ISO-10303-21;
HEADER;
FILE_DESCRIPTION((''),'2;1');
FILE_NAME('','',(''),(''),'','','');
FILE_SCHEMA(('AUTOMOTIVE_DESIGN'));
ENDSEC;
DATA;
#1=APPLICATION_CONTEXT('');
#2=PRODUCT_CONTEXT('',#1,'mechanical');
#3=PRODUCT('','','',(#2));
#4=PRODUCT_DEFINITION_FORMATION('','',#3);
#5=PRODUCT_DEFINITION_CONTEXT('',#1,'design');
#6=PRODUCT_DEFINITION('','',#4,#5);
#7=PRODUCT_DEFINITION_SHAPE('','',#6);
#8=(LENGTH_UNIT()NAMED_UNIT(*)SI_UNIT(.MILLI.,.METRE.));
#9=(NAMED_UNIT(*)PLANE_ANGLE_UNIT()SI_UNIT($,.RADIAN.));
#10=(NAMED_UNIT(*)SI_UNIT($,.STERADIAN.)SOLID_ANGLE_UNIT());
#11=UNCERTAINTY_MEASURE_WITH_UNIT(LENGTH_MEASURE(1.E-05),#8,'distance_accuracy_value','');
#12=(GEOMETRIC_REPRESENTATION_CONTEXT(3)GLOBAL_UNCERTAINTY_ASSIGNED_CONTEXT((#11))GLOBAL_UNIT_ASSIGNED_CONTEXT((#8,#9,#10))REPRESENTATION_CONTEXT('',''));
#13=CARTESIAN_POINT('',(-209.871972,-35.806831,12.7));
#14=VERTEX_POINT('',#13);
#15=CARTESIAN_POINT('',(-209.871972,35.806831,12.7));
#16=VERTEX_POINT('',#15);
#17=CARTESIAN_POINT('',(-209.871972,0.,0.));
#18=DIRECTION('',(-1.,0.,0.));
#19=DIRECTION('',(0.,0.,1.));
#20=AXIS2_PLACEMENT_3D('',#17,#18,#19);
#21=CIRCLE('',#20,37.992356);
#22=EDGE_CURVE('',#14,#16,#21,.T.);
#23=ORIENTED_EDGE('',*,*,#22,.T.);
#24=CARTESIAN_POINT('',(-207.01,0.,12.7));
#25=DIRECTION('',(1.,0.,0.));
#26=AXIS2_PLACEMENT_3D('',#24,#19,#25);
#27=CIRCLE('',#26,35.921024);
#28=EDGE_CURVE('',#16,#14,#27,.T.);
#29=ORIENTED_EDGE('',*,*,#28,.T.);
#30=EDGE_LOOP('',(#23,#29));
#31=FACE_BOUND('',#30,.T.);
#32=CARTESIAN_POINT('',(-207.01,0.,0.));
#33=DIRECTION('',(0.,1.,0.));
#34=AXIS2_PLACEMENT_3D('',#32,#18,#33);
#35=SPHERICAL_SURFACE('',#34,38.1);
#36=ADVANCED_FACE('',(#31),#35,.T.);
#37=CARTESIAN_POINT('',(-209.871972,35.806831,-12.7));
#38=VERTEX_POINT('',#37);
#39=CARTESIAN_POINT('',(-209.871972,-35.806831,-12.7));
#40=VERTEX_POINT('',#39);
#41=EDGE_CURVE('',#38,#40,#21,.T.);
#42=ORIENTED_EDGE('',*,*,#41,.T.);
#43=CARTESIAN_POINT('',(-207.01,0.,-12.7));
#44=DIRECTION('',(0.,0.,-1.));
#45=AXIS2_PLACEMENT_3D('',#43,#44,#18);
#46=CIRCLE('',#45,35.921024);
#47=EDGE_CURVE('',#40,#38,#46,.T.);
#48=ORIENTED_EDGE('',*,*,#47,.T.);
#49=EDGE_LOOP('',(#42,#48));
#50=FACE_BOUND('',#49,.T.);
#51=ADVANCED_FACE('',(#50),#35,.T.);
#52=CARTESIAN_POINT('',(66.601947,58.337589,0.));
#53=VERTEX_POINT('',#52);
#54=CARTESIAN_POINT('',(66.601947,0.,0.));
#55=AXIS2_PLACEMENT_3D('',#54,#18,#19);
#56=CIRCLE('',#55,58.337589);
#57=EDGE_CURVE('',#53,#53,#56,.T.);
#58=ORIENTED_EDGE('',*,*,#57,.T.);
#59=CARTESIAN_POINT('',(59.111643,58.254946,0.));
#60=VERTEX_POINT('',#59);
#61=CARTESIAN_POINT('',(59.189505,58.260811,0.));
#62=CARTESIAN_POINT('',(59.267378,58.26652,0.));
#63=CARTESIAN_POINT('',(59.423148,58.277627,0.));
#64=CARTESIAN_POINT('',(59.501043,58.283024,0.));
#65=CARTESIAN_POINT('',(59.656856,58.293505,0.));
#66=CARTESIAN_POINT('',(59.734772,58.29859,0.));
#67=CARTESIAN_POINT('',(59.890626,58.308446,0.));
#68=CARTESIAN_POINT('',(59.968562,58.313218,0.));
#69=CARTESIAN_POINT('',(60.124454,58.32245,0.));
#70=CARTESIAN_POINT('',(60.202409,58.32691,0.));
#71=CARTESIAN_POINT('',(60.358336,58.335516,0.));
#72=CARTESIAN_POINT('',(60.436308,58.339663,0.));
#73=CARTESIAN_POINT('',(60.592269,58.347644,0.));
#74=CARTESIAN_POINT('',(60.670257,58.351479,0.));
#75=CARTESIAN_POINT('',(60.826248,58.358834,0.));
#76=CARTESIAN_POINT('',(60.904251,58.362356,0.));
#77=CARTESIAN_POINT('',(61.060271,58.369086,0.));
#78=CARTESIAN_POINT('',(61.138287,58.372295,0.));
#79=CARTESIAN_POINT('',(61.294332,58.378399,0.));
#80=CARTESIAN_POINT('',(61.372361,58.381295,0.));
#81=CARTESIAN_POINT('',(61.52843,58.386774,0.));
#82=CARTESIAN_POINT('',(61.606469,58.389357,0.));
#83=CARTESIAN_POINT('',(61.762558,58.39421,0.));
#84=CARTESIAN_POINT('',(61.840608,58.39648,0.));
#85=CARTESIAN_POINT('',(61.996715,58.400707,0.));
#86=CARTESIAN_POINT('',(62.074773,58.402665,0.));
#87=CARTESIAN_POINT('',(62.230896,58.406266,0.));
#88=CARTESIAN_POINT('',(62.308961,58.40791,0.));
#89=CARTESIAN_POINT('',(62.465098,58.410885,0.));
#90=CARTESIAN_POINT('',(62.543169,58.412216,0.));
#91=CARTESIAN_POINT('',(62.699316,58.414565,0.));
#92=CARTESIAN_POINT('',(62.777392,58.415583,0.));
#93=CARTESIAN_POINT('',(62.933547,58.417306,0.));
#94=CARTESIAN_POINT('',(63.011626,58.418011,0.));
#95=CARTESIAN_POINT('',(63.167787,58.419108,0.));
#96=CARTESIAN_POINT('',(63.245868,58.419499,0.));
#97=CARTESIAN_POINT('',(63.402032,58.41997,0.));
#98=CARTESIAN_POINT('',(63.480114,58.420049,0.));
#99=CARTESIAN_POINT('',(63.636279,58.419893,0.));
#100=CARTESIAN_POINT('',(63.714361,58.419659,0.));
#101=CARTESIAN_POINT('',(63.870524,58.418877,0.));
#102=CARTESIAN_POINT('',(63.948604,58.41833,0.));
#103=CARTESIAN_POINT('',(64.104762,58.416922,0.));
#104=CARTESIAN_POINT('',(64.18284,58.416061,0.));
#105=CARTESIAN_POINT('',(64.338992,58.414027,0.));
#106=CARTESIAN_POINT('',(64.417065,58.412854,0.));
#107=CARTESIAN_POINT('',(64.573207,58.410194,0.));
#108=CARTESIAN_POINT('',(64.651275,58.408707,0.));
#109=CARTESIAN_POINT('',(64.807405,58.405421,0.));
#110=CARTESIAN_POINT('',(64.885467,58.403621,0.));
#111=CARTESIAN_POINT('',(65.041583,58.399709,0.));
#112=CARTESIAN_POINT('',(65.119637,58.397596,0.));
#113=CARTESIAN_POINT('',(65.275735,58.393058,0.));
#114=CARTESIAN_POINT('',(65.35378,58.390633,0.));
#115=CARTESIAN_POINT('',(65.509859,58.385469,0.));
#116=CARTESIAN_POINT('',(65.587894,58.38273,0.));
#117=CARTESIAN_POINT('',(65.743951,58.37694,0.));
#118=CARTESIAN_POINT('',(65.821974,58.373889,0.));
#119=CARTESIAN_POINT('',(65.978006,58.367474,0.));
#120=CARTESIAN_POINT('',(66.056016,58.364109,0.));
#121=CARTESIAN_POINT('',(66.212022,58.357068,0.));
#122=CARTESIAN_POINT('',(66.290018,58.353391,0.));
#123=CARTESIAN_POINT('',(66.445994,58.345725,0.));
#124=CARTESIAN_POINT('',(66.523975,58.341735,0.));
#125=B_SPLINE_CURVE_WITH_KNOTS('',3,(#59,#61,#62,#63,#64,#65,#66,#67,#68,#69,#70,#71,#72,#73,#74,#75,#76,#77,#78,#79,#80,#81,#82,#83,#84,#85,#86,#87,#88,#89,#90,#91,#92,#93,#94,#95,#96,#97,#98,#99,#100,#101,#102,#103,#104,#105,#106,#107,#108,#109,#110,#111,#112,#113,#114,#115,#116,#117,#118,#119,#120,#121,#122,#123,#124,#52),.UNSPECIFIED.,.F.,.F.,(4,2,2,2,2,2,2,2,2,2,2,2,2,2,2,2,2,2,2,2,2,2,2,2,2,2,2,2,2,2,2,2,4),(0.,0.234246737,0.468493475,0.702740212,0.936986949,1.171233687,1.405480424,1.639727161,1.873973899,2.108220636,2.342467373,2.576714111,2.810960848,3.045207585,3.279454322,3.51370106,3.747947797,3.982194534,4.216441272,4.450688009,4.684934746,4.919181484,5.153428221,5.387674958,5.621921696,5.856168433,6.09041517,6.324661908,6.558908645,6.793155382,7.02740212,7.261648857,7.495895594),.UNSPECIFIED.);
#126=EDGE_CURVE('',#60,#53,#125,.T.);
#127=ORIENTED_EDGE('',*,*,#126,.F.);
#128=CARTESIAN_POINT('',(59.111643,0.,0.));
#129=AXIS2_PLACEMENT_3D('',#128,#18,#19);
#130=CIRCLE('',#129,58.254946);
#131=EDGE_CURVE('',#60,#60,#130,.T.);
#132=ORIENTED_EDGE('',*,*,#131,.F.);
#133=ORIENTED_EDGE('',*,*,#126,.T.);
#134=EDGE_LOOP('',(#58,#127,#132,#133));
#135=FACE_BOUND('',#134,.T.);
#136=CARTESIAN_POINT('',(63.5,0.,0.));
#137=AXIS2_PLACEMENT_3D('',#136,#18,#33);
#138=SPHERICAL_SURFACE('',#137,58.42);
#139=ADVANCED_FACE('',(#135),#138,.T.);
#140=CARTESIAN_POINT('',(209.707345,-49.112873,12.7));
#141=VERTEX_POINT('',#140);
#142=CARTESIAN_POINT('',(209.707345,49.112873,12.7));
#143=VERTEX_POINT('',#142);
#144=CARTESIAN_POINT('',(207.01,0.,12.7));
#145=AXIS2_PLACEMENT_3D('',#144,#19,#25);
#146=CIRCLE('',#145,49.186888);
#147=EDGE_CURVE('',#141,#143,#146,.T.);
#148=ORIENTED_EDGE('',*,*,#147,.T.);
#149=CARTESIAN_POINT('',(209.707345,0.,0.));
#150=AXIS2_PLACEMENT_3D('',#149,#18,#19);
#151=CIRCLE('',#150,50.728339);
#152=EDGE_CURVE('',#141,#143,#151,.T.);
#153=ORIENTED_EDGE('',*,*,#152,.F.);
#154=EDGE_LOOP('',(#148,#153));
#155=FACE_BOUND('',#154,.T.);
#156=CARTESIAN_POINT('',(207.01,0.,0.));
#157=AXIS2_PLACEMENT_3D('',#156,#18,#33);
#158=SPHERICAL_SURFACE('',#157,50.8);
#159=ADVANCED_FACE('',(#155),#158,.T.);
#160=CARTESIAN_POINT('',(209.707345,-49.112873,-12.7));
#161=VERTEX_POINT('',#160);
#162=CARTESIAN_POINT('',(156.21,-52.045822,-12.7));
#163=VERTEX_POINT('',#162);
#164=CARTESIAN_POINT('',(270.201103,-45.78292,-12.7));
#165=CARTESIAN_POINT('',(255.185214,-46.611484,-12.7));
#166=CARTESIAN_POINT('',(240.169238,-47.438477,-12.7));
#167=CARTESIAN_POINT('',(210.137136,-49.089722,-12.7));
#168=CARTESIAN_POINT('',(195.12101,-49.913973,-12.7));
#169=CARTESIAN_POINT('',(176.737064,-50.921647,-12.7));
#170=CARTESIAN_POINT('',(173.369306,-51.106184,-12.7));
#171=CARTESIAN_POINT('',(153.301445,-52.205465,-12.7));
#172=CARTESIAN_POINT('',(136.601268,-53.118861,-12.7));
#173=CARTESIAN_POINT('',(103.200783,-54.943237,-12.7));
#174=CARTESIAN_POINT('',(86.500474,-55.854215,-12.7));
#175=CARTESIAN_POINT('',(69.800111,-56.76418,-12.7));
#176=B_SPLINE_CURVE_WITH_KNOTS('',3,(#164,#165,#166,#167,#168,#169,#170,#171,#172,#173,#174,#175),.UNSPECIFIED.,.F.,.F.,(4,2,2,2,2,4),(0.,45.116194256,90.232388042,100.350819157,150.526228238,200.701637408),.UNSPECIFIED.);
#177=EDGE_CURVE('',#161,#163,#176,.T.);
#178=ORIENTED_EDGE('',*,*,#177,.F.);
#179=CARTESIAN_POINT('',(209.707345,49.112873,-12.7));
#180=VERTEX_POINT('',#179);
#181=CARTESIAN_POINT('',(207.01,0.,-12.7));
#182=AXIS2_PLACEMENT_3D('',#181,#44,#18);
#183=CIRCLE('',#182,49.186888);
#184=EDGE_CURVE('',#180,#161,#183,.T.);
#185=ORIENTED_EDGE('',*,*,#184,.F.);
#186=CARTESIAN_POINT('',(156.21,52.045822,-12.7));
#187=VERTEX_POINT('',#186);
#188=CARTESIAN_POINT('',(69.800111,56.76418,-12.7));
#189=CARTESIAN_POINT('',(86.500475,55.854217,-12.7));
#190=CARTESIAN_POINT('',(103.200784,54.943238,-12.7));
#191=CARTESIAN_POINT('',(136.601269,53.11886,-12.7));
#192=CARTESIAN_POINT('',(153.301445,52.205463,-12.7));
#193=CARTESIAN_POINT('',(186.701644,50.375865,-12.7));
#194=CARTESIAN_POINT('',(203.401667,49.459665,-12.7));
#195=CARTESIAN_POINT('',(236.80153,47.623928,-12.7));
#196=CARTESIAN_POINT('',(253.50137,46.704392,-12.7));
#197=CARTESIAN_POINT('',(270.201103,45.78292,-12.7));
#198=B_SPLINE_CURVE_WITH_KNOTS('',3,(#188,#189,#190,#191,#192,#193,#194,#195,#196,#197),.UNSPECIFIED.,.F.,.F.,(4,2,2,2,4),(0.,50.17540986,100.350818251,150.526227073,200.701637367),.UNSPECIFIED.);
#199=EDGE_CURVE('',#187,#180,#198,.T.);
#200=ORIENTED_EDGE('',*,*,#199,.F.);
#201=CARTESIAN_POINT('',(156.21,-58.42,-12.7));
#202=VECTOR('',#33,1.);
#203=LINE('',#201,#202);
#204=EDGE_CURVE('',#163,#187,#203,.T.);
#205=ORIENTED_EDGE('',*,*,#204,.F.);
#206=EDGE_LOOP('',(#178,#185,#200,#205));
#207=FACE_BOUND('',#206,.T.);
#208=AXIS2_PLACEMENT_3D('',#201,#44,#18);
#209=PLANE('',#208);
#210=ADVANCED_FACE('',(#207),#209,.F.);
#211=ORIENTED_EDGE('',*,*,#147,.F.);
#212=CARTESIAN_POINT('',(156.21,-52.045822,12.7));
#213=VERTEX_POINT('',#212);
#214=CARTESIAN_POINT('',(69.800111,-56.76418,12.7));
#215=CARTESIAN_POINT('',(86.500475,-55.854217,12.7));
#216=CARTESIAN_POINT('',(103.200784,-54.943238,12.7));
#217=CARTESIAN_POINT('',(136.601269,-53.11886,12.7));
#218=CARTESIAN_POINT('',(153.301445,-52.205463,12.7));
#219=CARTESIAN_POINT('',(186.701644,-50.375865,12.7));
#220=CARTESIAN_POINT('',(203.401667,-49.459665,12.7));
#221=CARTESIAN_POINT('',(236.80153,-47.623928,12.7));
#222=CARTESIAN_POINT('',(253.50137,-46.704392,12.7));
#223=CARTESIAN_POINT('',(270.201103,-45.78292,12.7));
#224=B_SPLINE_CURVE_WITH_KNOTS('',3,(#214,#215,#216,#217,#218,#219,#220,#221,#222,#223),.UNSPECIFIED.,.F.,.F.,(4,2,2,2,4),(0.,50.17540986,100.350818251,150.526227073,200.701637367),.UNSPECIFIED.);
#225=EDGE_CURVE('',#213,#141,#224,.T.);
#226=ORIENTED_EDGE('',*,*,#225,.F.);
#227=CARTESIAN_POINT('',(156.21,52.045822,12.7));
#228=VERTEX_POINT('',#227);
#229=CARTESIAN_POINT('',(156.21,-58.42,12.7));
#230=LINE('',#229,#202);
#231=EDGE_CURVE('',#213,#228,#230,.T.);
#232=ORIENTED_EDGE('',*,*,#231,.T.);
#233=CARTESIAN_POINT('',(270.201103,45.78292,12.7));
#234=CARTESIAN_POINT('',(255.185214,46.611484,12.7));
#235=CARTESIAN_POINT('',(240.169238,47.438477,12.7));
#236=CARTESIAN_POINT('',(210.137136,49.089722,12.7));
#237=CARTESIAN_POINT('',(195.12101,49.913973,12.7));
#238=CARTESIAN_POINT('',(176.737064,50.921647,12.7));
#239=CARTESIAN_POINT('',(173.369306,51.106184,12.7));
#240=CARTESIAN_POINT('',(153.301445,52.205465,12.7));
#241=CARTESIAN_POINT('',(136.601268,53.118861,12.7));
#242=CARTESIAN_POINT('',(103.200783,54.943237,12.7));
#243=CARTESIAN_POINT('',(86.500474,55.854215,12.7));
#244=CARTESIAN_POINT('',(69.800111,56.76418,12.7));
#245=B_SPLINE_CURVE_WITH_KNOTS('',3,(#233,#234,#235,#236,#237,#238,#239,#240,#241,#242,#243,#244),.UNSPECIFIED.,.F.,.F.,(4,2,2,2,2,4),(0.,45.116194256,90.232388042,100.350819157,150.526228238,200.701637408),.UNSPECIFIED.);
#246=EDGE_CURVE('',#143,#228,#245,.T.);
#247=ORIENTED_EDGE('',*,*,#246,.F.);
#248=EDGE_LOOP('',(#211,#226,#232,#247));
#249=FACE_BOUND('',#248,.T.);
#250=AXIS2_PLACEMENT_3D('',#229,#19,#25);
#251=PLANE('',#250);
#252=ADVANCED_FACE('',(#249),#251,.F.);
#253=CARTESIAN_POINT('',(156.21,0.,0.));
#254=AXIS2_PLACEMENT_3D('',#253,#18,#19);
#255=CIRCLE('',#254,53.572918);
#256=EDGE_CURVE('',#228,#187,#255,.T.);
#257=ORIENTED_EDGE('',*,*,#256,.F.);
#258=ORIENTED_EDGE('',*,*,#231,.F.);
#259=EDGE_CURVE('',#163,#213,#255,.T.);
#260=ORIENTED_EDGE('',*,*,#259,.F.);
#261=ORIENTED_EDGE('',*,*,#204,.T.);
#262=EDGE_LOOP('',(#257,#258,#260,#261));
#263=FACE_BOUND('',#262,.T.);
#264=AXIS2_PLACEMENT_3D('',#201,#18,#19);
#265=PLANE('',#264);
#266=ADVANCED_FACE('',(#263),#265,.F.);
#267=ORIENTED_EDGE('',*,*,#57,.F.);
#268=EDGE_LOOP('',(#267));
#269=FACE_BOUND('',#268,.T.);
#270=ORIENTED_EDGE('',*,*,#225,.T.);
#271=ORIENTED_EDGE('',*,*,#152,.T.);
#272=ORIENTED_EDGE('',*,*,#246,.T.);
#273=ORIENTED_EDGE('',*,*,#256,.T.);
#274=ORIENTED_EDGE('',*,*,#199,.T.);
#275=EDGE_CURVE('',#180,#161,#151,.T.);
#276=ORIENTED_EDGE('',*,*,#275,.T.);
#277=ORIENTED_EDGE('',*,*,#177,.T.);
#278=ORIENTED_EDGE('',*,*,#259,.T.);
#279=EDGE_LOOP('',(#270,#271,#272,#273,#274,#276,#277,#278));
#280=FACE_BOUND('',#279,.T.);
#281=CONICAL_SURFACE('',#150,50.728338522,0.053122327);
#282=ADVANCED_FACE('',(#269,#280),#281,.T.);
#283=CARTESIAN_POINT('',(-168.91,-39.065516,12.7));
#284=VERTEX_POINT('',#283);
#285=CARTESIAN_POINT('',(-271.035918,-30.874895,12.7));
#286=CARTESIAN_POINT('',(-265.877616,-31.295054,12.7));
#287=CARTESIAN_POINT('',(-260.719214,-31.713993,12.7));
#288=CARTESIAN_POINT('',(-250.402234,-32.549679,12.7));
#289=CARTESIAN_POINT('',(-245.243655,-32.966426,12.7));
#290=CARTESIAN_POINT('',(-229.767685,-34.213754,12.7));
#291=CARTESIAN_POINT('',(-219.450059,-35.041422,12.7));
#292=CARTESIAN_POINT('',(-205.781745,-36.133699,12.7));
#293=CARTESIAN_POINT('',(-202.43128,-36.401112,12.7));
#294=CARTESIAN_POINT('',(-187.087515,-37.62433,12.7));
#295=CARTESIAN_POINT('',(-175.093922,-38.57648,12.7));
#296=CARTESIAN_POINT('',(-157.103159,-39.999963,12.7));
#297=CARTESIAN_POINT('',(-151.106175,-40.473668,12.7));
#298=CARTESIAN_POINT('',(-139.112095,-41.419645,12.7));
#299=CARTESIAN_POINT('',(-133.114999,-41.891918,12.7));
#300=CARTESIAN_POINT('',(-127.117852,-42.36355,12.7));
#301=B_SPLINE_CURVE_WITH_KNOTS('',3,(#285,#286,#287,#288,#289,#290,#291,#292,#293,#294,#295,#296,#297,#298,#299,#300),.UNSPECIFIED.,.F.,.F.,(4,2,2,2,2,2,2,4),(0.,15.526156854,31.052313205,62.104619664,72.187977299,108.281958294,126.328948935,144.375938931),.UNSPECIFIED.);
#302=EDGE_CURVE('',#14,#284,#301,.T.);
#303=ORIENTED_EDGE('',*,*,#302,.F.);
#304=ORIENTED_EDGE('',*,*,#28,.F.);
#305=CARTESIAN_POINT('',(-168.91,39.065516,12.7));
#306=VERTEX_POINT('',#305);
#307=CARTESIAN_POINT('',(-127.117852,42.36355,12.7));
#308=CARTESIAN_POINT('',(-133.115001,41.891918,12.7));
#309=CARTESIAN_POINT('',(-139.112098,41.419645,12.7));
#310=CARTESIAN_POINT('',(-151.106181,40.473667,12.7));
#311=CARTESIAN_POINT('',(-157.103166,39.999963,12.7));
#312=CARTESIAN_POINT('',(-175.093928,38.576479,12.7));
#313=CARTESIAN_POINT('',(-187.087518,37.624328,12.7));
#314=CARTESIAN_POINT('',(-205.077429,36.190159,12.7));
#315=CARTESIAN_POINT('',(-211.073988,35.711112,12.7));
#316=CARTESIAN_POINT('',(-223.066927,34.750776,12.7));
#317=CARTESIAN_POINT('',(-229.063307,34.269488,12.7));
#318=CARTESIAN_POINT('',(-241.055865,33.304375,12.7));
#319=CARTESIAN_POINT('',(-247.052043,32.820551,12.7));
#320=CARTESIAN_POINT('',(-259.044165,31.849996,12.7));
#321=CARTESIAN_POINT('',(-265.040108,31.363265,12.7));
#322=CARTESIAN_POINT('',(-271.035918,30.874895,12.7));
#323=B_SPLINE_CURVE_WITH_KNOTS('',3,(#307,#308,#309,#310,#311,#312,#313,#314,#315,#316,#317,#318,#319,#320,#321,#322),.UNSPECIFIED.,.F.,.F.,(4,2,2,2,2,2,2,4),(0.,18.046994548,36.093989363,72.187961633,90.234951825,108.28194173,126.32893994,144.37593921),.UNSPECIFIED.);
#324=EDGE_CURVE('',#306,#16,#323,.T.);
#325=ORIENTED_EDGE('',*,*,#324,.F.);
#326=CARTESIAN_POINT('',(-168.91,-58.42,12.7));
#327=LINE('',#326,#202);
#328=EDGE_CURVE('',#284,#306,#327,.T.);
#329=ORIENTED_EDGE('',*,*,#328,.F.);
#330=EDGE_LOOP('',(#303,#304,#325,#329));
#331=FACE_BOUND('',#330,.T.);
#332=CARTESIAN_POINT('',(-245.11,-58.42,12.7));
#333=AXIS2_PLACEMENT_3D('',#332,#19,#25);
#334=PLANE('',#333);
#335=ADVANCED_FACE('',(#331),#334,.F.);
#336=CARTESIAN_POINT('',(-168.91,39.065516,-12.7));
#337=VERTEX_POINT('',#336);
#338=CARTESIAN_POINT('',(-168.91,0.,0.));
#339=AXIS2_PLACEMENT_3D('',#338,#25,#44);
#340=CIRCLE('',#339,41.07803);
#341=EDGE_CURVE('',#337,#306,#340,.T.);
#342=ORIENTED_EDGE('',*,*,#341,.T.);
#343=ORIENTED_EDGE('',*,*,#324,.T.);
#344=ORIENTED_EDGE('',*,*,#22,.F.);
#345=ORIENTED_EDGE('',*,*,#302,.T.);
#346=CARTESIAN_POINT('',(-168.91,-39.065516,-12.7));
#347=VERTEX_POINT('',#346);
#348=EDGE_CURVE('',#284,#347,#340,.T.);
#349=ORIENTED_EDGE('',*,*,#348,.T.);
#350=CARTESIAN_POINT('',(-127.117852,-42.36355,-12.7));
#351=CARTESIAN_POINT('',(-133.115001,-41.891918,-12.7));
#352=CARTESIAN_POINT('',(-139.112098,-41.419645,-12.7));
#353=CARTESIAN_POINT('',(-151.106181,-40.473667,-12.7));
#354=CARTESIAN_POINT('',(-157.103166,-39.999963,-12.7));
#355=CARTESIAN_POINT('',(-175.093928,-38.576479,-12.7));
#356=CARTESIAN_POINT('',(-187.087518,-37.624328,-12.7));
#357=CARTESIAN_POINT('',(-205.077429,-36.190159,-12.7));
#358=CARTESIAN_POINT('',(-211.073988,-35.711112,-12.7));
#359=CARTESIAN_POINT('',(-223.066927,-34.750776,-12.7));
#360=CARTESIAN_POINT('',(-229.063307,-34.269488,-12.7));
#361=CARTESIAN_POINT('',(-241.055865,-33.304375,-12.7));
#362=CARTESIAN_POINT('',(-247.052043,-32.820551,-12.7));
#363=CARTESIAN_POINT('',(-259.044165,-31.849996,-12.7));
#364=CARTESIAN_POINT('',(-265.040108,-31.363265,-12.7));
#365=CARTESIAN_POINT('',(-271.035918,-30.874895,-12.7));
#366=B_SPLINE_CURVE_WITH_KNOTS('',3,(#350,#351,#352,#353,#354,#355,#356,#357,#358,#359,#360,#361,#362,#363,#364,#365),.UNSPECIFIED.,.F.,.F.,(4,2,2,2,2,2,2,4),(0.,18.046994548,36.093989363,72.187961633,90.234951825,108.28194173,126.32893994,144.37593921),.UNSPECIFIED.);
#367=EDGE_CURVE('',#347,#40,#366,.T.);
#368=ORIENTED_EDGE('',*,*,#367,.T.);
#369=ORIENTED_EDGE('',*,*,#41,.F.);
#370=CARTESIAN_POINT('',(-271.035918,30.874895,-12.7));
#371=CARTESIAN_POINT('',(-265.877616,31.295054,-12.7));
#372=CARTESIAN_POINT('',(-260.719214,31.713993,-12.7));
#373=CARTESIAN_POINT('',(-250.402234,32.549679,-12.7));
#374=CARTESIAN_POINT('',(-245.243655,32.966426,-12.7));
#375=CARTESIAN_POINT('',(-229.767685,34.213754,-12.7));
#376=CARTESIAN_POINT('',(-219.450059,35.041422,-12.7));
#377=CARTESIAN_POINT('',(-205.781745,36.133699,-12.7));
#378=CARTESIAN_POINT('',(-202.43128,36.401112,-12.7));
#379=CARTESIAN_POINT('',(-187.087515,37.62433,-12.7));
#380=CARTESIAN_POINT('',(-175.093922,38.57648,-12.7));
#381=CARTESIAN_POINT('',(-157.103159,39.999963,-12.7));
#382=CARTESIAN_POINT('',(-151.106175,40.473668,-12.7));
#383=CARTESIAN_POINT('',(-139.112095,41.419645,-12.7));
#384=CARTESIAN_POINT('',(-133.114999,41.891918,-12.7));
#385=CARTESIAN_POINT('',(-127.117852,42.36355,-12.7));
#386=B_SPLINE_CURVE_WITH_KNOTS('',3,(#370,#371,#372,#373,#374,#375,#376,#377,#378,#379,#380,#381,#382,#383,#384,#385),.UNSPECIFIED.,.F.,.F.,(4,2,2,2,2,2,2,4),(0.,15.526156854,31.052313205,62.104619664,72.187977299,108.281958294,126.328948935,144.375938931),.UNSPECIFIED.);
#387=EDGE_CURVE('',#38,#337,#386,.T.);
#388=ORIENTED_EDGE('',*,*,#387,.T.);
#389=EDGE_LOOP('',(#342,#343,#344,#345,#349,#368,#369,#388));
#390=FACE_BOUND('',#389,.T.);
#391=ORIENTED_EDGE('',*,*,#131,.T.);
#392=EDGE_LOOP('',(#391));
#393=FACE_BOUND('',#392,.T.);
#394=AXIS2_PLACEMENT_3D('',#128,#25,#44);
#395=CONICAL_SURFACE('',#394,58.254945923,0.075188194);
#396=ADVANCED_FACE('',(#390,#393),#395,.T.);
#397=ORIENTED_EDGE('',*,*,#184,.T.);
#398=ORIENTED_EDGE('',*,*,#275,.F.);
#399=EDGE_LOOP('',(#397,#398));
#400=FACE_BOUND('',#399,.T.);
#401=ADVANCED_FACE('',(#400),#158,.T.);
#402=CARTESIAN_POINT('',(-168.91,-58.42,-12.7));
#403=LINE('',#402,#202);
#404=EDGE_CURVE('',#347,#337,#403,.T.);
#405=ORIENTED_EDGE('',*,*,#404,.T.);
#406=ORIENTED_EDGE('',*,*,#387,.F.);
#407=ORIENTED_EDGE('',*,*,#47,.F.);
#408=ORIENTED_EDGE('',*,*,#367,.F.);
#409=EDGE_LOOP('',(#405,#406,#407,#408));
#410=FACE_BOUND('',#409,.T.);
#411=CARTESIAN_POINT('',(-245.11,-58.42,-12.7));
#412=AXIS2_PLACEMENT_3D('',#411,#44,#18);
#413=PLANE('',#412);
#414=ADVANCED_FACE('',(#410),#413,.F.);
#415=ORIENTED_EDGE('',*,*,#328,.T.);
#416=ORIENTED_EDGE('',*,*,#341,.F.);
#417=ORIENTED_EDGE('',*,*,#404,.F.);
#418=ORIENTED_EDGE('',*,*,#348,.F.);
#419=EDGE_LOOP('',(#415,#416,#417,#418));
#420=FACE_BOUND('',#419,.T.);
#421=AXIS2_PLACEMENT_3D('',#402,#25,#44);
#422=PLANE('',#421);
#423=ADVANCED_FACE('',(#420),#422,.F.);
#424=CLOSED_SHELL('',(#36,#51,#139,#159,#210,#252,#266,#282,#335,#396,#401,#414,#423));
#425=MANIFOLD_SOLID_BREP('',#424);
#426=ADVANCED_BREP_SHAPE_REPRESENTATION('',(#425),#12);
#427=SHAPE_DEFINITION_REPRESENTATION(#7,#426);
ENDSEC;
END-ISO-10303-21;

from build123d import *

# Parameters (mm, degrees)
CUT_EXTRUDE1_DEPTH      = 271.724562794
CUT_EXTRUDE1_DEPTH_BACK = 271.724562794
SKETCH2_W               = 101.6
SKETCH2_H               = 25.4
SKETCH2_W_2             = 76.2


with BuildPart() as part:
    # Sketch1 → Revolve1 (revolve)
    with BuildSketch(Plane.XY):
        with BuildLine():
            Line((-207.01, 0), (207.01, 0))
            Line((207.01, 0), (257.81, 0))
            ThreePointArc((257.81, 0), (243.872346186, 34.954362155), (209.707345133, 50.728338522))
            Line((209.707345133, 50.728338522), (66.601946903, 58.337589301))
            ThreePointArc((66.601946903, 58.337589301), (62.855469091, 58.416444431), (59.111643192, 58.254945923))
            Line((59.111643192, 58.254945923), (-209.871971831, 37.992356037))
            ThreePointArc((-209.871971831, 37.992356037), (-234.944307999, 25.909157389), (-245.11, 0))
            Line((-245.11, 0), (-207.01, 0))
        make_face()
    revolve(axis=Axis((-207.01, 0, 0), (1, 0, 0)))

    # Sketch2 → Cut-Extrude1 (cut, two sides: drawn at the far end of the back side and taken through both)
    with BuildSketch(Plane(origin=(0, 0, 0), x_dir=(1, 0, 0), z_dir=(0, 1, 0)).offset(-CUT_EXTRUDE1_DEPTH_BACK)):
        with Locations((207.01, 0)):
            Rectangle(SKETCH2_W, SKETCH2_H)
        with Locations((-207.01, 0)):
            Rectangle(SKETCH2_W_2, SKETCH2_H)
    extrude(amount=CUT_EXTRUDE1_DEPTH + CUT_EXTRUDE1_DEPTH_BACK, mode=Mode.SUBTRACT)


solid = part.part
